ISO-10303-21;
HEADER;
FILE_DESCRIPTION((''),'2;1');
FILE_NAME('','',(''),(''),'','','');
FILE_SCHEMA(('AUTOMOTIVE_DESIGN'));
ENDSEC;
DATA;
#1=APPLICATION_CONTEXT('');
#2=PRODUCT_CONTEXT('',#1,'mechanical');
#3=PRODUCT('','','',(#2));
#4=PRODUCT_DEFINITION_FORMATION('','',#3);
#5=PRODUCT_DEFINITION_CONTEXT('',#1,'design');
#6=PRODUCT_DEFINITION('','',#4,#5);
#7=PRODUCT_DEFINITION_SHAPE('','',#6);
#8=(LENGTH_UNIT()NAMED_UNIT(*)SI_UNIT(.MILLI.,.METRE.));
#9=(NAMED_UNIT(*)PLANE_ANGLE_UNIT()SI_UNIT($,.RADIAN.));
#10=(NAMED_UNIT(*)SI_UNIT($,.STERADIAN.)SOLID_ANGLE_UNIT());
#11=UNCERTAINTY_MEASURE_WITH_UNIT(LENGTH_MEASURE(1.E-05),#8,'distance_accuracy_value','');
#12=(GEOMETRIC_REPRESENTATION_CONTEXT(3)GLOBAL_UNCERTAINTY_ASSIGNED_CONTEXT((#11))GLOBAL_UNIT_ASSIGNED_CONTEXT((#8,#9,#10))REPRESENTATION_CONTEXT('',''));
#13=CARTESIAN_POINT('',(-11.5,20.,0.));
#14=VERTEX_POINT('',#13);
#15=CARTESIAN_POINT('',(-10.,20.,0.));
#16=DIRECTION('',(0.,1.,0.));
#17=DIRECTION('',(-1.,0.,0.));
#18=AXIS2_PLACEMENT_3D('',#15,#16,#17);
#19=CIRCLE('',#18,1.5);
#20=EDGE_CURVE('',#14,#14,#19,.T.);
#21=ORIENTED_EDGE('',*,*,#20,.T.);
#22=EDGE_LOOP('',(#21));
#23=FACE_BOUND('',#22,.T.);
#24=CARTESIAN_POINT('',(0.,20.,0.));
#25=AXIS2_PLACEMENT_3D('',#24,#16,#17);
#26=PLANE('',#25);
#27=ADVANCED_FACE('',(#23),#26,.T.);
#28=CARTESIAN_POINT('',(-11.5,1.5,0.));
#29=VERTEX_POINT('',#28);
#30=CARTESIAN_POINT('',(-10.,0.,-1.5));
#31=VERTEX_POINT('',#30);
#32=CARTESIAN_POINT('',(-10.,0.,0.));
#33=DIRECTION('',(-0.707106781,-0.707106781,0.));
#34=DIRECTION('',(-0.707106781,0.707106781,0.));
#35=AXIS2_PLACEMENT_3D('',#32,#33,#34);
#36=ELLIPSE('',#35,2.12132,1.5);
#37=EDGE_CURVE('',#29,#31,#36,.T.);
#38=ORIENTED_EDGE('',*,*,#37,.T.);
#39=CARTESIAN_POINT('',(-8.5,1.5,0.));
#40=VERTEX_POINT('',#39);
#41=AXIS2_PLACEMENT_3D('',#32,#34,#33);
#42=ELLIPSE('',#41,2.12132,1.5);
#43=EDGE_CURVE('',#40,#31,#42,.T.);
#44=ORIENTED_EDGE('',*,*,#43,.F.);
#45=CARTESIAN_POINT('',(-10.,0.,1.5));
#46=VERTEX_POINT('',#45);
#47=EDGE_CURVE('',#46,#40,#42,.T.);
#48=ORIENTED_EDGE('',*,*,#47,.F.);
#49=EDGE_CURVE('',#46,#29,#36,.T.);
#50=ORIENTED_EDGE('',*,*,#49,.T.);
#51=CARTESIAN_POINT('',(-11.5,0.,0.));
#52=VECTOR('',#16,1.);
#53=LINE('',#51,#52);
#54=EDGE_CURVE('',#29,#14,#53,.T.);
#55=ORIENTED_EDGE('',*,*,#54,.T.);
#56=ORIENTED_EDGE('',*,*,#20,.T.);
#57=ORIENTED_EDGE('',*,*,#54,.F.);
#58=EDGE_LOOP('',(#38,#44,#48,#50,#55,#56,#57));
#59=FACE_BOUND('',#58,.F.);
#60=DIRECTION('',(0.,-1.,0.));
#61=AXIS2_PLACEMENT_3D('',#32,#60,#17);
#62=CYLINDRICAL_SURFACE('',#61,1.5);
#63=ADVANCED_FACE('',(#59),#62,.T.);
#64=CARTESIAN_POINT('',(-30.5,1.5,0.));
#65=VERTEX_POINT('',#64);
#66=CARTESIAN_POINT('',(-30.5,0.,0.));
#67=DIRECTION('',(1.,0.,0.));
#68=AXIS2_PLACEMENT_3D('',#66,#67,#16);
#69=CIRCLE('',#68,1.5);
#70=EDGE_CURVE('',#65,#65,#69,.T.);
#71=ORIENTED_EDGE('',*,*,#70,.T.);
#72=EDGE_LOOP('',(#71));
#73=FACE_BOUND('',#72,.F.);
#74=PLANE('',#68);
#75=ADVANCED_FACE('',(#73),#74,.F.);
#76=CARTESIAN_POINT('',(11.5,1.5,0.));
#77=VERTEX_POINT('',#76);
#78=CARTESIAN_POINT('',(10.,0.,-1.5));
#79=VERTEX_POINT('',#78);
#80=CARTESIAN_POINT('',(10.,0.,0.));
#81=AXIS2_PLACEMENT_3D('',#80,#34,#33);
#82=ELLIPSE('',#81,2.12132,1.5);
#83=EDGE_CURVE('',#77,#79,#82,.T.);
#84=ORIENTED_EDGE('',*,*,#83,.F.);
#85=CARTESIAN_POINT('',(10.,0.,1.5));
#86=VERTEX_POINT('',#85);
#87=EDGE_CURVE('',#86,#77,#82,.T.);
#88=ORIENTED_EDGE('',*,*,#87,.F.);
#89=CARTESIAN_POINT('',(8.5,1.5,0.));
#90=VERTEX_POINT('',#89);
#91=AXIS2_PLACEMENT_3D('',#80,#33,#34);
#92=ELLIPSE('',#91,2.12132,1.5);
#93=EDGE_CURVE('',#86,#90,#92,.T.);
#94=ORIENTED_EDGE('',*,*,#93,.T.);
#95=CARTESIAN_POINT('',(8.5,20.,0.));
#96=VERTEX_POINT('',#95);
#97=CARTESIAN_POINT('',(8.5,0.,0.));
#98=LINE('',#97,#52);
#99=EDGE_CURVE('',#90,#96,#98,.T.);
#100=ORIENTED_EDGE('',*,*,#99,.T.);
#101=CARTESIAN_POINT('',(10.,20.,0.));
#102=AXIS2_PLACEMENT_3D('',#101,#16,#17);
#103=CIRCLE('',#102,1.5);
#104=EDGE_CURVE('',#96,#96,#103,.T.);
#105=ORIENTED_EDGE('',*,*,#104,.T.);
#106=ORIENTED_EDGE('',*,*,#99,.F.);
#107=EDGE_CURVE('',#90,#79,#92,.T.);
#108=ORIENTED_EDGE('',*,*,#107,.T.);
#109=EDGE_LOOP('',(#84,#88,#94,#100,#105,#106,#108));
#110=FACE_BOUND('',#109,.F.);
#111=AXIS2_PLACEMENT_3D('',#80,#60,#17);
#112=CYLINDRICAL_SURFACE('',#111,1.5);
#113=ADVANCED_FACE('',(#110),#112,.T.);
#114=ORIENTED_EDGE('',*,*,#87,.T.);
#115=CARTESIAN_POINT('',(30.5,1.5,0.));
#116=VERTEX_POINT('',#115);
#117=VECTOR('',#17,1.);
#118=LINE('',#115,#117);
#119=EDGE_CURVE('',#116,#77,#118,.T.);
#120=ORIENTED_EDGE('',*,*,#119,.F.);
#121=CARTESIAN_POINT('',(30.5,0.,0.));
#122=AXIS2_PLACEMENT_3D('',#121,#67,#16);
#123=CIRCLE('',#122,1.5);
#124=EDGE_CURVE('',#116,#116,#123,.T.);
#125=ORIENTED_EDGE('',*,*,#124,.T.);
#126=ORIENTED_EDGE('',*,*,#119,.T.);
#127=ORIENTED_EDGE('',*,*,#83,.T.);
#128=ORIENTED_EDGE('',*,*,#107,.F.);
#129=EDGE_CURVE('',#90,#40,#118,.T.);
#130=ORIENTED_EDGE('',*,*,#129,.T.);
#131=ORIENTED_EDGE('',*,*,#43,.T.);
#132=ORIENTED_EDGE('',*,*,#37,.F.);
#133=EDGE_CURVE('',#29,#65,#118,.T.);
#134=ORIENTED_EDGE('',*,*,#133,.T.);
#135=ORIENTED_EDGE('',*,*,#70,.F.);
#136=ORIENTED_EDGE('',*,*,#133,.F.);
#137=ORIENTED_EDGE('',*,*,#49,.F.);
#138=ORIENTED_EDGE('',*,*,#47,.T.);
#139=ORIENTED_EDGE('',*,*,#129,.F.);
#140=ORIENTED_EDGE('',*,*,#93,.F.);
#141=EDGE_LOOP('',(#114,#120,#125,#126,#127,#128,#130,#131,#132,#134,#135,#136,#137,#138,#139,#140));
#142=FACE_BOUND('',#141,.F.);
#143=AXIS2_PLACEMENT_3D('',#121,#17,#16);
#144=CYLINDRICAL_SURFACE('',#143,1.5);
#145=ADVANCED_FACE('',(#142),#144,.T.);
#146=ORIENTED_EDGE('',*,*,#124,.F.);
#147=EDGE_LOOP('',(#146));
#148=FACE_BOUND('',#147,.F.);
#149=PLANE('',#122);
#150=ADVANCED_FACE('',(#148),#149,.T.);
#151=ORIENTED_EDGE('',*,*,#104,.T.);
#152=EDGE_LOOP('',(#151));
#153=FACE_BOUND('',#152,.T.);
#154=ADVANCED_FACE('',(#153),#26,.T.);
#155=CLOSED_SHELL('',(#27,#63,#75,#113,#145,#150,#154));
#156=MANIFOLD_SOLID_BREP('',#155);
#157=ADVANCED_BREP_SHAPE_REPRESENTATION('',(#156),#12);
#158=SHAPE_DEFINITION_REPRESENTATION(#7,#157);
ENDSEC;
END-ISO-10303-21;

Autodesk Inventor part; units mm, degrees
ref_plane "XY Plane" through (0, 0, 0) normal (0, 0, 1) x (1, 0, 0)
sketch "Skizze1" plane through (0, 0, 0) normal (0, 0, 1) x (1, 0, 0)
  line L0 (-30.5, 0) -> (30.5, 0)
  line L1 (30.5, 0) -> (30.5, 1.5)
  line L2 (30.5, 1.5) -> (-30.5, 1.5)
  line L3 (-30.5, 1.5) -> (-30.5, 0)
  line L4 (-42.7, 0) -> (42.7, 0) projected
  line L5 (0, 1.8) -> (0, -0.3) projected
  point P0 (0, 0)
  dimension "d0" = 61
  dimension "d1" = 1.5
  dimension "d2" = 0
  dimension "d10" = 30.5
revolve "Umdrehung1" add sketch "Skizze1" angle 360 about axis through (0, 0, 0) along (1, 0, 0)
sketch "Skizze2" plane through (0, 0, 0) normal (0, 1, 0) x (-1, 0, 0)
  circle A0 centre (10, 0) radius 1.5
  circle A1 centre (-10, 0) radius 1.5
  point P0 (0, 0)
  dimension "d4" = 3
  dimension "d5" = 3
  dimension "d6" = 10
  dimension "d7" = 10
extrude "Extrusion1" add sketch "Skizze2" along normal blind 20
properties part number "Adaptation_2_1"
